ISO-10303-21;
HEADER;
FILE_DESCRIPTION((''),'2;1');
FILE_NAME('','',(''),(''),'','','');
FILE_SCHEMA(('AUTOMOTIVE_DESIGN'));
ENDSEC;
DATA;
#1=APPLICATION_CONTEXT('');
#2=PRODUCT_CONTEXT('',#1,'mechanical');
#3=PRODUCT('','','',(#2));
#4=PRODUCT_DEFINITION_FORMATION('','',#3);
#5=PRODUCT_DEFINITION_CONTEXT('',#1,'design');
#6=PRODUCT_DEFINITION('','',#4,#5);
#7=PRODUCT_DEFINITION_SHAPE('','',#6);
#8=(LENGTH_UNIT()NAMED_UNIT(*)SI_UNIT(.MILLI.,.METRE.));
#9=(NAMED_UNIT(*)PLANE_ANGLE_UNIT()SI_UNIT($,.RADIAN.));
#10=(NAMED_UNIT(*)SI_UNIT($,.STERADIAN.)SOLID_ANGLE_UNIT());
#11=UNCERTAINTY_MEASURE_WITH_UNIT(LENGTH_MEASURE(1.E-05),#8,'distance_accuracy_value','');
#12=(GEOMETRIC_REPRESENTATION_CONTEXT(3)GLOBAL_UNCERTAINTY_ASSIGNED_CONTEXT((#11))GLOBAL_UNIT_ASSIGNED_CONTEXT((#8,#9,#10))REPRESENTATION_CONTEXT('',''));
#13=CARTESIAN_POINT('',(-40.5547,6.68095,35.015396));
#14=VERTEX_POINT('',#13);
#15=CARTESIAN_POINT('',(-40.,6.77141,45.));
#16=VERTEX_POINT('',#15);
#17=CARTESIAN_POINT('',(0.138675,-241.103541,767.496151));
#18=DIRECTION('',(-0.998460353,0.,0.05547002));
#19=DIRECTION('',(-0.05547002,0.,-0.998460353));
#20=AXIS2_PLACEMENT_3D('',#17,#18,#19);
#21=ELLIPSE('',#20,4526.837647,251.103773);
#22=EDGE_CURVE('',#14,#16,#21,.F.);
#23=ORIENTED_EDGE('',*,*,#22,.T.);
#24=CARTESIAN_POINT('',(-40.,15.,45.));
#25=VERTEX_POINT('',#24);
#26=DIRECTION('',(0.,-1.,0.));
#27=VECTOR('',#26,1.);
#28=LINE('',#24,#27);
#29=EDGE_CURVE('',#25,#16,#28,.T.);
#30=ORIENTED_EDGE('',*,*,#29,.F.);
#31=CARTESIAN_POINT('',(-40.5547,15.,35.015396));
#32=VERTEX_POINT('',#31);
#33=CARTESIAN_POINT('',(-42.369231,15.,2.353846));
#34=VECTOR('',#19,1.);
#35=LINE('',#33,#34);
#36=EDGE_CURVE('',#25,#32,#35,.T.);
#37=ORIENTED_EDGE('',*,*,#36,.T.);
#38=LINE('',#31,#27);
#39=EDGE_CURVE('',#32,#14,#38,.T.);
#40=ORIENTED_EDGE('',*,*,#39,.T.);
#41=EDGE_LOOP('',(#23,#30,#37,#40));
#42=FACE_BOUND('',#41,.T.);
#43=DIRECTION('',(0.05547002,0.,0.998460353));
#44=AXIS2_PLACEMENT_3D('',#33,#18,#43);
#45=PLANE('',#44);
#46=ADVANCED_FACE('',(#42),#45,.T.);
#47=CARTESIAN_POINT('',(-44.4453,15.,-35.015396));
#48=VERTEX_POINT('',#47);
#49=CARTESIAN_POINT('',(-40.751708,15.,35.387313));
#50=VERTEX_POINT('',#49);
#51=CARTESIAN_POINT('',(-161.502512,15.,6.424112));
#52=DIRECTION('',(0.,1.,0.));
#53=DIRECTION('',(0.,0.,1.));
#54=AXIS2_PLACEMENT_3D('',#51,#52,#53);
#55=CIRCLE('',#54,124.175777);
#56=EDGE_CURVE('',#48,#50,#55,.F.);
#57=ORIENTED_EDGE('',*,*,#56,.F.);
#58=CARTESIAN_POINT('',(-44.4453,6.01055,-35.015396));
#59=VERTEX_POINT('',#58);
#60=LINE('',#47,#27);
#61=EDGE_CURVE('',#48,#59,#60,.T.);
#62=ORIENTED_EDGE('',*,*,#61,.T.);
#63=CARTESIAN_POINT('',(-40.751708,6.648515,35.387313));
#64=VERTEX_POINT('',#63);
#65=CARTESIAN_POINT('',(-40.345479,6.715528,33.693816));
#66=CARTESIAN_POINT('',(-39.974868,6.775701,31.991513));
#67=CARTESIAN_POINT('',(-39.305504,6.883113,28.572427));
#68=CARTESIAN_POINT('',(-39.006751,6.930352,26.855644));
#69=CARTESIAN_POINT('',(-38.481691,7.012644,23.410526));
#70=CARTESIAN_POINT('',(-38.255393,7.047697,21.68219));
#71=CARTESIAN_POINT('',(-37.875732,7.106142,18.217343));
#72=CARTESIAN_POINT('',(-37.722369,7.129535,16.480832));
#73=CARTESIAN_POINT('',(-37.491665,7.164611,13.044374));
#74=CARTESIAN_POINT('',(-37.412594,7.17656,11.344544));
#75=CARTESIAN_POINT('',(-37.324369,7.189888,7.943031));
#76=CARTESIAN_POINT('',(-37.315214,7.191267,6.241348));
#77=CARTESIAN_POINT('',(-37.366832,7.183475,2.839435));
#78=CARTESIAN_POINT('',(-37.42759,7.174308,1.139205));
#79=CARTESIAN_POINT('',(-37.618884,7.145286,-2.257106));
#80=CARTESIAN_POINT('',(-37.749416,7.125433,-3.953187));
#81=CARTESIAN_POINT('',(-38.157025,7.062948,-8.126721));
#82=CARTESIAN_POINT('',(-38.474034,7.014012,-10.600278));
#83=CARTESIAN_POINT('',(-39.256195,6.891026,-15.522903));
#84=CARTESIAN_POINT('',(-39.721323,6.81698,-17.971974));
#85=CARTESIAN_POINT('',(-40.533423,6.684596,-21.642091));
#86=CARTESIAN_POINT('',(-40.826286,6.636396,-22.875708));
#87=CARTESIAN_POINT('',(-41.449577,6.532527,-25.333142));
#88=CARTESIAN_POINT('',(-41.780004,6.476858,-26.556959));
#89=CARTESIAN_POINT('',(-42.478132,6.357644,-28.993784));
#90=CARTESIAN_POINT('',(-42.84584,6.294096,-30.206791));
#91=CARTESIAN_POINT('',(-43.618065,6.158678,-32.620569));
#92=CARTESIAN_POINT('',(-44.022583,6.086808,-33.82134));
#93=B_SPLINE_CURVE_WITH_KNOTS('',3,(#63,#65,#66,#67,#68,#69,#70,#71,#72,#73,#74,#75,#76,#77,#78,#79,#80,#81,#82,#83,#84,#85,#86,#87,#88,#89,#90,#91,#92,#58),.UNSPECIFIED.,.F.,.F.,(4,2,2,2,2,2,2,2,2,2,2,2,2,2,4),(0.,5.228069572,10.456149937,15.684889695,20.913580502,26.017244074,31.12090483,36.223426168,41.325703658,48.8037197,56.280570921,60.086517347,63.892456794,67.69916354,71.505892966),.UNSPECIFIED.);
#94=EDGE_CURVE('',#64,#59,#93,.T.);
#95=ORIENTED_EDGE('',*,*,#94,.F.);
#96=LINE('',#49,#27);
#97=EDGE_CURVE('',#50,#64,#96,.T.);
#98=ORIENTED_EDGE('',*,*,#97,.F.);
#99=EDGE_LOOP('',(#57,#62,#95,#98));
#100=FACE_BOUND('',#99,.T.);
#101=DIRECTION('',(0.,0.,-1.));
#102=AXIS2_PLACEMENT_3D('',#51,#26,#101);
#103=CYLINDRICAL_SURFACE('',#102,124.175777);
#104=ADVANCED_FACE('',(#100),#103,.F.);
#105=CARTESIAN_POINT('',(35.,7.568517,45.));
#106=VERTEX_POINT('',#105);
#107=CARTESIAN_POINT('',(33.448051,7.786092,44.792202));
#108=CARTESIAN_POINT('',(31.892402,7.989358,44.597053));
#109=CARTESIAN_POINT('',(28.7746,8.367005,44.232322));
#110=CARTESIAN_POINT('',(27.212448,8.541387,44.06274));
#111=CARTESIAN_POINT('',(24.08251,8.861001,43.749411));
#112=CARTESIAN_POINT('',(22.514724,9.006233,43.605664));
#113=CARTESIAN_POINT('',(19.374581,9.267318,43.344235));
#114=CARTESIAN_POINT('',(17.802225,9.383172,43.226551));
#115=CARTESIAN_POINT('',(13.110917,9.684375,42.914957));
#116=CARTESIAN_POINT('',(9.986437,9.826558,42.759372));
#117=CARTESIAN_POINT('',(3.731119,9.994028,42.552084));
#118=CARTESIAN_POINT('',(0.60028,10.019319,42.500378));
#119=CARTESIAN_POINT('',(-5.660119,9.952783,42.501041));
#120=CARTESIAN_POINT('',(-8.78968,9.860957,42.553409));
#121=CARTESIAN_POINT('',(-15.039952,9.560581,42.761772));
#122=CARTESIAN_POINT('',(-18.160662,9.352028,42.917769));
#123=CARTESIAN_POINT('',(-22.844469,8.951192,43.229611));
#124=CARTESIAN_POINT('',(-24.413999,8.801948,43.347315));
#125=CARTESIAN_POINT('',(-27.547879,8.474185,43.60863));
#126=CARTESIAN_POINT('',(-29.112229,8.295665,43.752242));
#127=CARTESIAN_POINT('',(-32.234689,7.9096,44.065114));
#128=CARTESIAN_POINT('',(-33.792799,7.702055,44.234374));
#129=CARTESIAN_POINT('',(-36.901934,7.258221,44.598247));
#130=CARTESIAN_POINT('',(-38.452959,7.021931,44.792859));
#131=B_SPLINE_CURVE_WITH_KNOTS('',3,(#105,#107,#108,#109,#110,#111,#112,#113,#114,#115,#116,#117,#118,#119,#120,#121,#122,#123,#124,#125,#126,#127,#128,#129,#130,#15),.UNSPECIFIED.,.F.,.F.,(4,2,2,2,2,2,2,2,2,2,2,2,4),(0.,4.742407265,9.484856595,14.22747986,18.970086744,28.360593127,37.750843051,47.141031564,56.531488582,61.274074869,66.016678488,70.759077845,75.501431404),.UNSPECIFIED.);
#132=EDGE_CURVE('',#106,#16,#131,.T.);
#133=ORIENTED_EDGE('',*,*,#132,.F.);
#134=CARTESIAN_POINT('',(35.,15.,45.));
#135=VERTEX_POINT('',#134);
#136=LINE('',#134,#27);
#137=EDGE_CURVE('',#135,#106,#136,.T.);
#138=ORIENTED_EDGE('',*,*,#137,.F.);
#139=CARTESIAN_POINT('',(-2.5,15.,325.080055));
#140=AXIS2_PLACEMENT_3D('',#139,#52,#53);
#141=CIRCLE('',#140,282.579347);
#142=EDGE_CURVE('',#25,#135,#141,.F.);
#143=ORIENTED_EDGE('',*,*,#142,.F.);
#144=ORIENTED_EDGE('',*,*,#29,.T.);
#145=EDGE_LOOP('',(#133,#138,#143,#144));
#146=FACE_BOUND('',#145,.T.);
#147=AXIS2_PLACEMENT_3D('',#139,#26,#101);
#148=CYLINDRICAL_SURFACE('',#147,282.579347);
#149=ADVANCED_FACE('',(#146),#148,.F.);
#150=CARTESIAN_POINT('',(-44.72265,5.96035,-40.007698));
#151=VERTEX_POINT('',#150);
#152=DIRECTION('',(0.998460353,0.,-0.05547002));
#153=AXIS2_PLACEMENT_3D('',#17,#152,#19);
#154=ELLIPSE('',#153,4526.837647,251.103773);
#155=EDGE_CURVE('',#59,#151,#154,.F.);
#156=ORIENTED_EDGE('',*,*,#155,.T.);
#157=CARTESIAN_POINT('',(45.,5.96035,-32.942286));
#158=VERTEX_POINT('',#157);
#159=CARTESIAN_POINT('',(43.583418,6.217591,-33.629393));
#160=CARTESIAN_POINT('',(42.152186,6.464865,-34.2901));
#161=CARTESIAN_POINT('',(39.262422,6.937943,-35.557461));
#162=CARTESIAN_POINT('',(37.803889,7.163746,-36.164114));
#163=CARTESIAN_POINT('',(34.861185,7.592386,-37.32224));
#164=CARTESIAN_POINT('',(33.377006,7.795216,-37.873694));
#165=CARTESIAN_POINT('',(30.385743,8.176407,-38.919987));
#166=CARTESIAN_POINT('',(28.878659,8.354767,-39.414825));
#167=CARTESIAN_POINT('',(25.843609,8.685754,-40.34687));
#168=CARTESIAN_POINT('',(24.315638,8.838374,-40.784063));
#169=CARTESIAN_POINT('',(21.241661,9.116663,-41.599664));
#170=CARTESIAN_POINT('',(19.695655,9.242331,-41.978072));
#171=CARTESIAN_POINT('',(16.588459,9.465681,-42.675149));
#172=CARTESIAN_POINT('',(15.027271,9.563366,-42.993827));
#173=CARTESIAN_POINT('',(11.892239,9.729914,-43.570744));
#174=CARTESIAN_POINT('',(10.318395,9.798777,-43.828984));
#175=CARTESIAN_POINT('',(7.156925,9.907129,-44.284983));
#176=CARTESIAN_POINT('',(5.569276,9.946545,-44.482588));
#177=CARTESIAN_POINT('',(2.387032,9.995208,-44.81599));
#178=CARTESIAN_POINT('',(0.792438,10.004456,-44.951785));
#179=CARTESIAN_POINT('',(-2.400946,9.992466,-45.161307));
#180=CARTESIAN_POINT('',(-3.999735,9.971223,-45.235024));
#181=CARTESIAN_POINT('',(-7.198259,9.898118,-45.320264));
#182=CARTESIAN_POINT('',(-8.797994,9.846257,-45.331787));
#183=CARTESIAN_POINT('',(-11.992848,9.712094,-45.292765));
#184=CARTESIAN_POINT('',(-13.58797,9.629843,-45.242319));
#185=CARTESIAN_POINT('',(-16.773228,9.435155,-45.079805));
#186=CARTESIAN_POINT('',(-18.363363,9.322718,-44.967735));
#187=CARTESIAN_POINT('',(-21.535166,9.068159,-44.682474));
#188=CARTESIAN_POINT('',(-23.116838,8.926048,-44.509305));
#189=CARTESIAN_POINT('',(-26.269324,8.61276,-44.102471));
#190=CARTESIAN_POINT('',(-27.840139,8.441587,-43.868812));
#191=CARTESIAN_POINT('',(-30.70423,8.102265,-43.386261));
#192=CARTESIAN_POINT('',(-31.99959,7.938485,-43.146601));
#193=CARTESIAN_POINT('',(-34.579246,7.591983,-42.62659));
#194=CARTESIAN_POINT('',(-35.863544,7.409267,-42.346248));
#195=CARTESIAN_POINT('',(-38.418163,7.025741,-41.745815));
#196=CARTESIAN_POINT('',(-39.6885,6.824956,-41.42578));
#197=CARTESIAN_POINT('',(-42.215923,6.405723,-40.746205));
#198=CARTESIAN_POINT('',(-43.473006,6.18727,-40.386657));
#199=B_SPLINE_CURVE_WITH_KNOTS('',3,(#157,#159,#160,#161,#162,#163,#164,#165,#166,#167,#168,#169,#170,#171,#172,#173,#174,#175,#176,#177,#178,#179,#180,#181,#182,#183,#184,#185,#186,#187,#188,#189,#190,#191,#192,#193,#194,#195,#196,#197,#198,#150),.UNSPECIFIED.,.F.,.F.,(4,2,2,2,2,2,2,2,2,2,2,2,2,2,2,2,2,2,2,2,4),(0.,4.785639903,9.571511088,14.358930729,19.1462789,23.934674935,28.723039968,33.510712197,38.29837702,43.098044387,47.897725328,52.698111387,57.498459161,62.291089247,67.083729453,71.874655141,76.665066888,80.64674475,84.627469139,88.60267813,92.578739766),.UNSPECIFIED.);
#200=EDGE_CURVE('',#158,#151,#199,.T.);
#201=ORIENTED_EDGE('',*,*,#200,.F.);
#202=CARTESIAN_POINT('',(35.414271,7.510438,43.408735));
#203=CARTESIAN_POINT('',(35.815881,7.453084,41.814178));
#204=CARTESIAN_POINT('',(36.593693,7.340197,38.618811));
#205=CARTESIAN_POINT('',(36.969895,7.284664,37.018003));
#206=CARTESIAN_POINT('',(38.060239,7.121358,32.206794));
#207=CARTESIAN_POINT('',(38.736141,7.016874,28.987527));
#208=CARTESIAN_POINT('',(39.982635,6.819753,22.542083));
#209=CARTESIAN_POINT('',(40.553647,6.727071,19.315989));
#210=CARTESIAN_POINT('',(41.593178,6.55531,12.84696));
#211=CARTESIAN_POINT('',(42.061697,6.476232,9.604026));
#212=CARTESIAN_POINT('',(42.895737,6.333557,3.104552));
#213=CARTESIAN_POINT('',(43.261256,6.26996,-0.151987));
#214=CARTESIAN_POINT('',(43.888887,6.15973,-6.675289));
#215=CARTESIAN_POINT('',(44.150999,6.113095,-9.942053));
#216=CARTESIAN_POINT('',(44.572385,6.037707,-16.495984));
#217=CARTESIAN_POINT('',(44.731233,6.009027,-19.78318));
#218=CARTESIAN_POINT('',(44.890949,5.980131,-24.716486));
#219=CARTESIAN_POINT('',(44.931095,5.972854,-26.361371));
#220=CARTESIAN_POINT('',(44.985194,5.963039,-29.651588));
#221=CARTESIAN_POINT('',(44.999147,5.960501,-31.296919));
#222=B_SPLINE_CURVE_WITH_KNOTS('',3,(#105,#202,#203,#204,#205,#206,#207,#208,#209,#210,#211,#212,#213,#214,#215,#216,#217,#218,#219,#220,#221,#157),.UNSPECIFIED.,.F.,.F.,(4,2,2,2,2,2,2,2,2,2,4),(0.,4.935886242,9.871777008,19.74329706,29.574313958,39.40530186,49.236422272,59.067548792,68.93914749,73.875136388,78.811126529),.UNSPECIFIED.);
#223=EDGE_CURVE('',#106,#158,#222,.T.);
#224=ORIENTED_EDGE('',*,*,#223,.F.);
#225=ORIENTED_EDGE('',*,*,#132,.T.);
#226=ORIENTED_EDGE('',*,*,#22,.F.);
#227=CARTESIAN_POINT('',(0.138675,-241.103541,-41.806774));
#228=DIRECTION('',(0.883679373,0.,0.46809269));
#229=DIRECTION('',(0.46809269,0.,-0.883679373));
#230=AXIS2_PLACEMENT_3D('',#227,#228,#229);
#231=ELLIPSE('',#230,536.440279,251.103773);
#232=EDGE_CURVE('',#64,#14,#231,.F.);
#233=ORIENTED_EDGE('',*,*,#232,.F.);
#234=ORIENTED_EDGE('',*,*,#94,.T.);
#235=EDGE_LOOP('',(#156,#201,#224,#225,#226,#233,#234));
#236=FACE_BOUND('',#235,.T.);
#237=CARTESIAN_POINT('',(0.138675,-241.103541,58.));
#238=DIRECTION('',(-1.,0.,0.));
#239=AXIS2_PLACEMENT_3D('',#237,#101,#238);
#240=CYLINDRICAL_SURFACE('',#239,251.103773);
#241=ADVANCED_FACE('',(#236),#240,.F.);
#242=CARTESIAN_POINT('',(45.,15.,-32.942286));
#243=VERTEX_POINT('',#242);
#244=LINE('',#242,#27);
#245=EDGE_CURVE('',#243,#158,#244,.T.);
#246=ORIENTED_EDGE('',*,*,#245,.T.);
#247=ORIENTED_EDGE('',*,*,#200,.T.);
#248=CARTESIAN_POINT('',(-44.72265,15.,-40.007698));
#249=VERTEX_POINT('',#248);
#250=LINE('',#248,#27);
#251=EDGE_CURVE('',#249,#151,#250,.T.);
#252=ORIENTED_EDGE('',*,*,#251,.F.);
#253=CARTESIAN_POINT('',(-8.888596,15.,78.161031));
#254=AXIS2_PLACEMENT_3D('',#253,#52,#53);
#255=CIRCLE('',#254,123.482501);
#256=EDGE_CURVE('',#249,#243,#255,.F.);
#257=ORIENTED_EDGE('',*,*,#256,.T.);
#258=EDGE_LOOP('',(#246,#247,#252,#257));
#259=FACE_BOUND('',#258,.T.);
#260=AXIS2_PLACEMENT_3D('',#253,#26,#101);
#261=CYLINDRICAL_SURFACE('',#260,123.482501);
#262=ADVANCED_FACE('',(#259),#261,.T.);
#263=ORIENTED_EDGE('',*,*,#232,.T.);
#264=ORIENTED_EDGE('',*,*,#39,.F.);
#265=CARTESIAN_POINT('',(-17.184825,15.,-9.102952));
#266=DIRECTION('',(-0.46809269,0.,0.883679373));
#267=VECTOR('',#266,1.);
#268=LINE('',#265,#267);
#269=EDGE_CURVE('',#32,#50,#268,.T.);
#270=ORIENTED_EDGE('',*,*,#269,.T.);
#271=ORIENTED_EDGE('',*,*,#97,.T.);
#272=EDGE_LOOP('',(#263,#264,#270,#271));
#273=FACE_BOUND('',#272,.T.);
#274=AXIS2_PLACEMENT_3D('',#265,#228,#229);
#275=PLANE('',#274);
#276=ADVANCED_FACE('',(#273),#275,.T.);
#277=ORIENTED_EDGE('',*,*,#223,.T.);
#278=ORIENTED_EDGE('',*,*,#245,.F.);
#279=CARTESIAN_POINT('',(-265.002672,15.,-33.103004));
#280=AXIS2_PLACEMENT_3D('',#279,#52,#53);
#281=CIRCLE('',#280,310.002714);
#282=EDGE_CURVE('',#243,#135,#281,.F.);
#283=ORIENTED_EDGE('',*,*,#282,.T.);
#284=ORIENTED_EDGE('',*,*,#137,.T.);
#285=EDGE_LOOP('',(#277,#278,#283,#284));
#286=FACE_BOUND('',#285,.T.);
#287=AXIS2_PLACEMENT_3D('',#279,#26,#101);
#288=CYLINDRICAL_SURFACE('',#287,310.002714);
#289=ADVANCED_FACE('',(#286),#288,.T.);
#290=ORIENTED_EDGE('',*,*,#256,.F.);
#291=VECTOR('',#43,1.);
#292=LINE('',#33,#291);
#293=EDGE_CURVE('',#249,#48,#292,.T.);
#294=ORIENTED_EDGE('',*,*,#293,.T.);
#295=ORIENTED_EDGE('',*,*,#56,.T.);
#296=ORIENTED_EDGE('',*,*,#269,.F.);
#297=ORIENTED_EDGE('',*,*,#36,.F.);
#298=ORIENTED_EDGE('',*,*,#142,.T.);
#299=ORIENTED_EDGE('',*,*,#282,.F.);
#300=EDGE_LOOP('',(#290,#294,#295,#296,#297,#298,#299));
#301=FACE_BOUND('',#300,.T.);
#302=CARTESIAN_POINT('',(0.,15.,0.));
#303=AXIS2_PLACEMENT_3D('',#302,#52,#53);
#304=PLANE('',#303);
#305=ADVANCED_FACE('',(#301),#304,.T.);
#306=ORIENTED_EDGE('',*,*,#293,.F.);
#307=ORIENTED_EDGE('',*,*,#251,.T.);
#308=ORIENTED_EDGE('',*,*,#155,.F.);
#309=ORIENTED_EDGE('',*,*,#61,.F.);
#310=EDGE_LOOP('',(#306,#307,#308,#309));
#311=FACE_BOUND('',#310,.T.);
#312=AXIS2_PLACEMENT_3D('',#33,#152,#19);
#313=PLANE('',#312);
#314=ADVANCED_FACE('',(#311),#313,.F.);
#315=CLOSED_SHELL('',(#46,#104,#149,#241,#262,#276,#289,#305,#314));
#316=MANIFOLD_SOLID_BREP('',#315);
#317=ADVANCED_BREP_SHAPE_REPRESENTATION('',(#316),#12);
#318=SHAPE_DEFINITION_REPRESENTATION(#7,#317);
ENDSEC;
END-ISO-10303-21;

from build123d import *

# Parameters (mm, degrees)
BOSS_EXTRUDE1_DEPTH     = 15
CUT_EXTRUDE2_DEPTH      = 58
CUT_EXTRUDE2_DEPTH_BACK = 63


with BuildPart() as part:
    # Sketch1 → Boss-Extrude1 (new body)
    with BuildSketch(Plane(origin=(0, 0, 0), x_dir=(1, 0, 0), z_dir=(0, 1, 0))):
        with BuildLine():
            Line((-40, -45), (-40.554700196, -35.015396468))
            Line((-40.554700196, -35.015396468), (-40.751707535, -35.387312812))
            ThreePointArc((-40.751707535, -35.387312812), (-37.497275944, 0.081671518), (-44.445299804, 35.015396468))
            Line((-44.445299804, 35.015396468), (-44.722649902, 40.007698234))
            ThreePointArc((-44.722649902, 40.007698234), (0.805300702, 44.940375619), (45, 32.94228634))
            ThreePointArc((45, 32.94228634), (42.479652573, -6.346996403), (35, -45))
            ThreePointArc((35, -45), (-2.5, -42.500708249), (-40, -45))
        make_face()
    extrude(amount=BOSS_EXTRUDE1_DEPTH)

    # Sketch3 → Cut-Extrude2 (cut, two sides)
    with BuildSketch(Plane.XY) as cut_extrude2_sk:
        with BuildLine():
            Line((-49.722649902, 5), (-49.722649902, -2.927919572))
            Line((-49.722649902, -2.927919572), (50, -2.927919572))
            Line((50, -2.927919572), (50, 5))
            ThreePointArc((50, 5), (0.138675049, 10.0002316), (-49.722649902, 5))
        make_face()
    extrude(amount=CUT_EXTRUDE2_DEPTH, mode=Mode.SUBTRACT)
    extrude(cut_extrude2_sk.sketch, amount=-CUT_EXTRUDE2_DEPTH_BACK, mode=Mode.SUBTRACT)


solid = part.part
